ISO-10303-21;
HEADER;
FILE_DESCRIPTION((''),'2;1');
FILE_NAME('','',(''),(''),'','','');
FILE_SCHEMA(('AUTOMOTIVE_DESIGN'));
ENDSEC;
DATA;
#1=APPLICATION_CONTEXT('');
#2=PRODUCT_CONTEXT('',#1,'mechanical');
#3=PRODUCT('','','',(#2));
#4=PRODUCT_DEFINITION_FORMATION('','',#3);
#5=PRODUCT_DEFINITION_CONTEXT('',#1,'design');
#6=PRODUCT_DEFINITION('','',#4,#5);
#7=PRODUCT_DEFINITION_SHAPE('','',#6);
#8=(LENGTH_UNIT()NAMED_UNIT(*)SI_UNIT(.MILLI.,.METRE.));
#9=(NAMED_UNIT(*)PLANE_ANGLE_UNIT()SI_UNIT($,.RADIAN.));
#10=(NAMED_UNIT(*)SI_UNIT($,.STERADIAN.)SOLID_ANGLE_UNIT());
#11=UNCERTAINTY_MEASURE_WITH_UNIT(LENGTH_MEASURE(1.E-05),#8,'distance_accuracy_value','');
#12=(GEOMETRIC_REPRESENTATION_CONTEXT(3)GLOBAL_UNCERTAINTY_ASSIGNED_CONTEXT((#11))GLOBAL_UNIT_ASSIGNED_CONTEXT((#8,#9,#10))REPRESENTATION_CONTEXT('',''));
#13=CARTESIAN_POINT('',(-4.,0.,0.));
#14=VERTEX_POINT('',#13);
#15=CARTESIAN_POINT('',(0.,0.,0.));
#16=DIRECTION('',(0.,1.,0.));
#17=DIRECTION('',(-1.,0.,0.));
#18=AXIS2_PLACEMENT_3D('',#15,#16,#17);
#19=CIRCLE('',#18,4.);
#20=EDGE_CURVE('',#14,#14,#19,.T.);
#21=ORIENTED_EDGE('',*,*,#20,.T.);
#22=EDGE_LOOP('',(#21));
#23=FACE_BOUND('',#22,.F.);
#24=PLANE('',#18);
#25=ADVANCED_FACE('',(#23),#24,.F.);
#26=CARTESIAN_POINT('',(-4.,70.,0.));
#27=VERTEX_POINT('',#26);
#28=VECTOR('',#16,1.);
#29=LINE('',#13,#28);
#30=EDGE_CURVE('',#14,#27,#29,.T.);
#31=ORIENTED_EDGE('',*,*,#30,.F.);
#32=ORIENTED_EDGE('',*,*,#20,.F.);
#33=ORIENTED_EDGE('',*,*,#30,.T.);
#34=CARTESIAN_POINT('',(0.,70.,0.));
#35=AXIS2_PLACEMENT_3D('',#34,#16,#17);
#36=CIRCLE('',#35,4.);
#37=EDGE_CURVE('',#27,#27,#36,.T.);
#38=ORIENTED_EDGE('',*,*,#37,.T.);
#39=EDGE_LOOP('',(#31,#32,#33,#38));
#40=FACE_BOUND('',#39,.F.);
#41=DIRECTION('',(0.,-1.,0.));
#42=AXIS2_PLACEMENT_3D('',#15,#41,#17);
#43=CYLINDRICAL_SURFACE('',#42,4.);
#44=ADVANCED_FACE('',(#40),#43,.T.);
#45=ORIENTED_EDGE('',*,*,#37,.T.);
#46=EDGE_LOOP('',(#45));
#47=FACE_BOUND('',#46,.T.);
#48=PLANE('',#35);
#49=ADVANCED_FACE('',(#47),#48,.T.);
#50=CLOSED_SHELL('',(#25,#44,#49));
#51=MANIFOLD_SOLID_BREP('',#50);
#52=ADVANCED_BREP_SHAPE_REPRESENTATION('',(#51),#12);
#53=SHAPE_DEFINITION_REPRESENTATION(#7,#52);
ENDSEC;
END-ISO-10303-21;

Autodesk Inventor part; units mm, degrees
ref_plane "YZ Plane" through (0, 0, 0) normal (1, 0, 0) x (0, 1, 0)
ref_plane "XZ Plane" through (0, 0, 0) normal (0, 1, 0) x (-1, 0, 0)
ref_plane "XY Plane" through (0, 0, 0) normal (0, 0, 1) x (1, 0, 0)
sketch "Boceto1" plane through (0, 0, 0) normal (0, 1, 0) x (-1, 0, 0)
  circle A0 centre (0, 0) radius 4
  dimension "d0" = 8
extrude "Extrusión1" add sketch "Boceto1" along normal blind 70
properties part number "8x80 mm axis"
